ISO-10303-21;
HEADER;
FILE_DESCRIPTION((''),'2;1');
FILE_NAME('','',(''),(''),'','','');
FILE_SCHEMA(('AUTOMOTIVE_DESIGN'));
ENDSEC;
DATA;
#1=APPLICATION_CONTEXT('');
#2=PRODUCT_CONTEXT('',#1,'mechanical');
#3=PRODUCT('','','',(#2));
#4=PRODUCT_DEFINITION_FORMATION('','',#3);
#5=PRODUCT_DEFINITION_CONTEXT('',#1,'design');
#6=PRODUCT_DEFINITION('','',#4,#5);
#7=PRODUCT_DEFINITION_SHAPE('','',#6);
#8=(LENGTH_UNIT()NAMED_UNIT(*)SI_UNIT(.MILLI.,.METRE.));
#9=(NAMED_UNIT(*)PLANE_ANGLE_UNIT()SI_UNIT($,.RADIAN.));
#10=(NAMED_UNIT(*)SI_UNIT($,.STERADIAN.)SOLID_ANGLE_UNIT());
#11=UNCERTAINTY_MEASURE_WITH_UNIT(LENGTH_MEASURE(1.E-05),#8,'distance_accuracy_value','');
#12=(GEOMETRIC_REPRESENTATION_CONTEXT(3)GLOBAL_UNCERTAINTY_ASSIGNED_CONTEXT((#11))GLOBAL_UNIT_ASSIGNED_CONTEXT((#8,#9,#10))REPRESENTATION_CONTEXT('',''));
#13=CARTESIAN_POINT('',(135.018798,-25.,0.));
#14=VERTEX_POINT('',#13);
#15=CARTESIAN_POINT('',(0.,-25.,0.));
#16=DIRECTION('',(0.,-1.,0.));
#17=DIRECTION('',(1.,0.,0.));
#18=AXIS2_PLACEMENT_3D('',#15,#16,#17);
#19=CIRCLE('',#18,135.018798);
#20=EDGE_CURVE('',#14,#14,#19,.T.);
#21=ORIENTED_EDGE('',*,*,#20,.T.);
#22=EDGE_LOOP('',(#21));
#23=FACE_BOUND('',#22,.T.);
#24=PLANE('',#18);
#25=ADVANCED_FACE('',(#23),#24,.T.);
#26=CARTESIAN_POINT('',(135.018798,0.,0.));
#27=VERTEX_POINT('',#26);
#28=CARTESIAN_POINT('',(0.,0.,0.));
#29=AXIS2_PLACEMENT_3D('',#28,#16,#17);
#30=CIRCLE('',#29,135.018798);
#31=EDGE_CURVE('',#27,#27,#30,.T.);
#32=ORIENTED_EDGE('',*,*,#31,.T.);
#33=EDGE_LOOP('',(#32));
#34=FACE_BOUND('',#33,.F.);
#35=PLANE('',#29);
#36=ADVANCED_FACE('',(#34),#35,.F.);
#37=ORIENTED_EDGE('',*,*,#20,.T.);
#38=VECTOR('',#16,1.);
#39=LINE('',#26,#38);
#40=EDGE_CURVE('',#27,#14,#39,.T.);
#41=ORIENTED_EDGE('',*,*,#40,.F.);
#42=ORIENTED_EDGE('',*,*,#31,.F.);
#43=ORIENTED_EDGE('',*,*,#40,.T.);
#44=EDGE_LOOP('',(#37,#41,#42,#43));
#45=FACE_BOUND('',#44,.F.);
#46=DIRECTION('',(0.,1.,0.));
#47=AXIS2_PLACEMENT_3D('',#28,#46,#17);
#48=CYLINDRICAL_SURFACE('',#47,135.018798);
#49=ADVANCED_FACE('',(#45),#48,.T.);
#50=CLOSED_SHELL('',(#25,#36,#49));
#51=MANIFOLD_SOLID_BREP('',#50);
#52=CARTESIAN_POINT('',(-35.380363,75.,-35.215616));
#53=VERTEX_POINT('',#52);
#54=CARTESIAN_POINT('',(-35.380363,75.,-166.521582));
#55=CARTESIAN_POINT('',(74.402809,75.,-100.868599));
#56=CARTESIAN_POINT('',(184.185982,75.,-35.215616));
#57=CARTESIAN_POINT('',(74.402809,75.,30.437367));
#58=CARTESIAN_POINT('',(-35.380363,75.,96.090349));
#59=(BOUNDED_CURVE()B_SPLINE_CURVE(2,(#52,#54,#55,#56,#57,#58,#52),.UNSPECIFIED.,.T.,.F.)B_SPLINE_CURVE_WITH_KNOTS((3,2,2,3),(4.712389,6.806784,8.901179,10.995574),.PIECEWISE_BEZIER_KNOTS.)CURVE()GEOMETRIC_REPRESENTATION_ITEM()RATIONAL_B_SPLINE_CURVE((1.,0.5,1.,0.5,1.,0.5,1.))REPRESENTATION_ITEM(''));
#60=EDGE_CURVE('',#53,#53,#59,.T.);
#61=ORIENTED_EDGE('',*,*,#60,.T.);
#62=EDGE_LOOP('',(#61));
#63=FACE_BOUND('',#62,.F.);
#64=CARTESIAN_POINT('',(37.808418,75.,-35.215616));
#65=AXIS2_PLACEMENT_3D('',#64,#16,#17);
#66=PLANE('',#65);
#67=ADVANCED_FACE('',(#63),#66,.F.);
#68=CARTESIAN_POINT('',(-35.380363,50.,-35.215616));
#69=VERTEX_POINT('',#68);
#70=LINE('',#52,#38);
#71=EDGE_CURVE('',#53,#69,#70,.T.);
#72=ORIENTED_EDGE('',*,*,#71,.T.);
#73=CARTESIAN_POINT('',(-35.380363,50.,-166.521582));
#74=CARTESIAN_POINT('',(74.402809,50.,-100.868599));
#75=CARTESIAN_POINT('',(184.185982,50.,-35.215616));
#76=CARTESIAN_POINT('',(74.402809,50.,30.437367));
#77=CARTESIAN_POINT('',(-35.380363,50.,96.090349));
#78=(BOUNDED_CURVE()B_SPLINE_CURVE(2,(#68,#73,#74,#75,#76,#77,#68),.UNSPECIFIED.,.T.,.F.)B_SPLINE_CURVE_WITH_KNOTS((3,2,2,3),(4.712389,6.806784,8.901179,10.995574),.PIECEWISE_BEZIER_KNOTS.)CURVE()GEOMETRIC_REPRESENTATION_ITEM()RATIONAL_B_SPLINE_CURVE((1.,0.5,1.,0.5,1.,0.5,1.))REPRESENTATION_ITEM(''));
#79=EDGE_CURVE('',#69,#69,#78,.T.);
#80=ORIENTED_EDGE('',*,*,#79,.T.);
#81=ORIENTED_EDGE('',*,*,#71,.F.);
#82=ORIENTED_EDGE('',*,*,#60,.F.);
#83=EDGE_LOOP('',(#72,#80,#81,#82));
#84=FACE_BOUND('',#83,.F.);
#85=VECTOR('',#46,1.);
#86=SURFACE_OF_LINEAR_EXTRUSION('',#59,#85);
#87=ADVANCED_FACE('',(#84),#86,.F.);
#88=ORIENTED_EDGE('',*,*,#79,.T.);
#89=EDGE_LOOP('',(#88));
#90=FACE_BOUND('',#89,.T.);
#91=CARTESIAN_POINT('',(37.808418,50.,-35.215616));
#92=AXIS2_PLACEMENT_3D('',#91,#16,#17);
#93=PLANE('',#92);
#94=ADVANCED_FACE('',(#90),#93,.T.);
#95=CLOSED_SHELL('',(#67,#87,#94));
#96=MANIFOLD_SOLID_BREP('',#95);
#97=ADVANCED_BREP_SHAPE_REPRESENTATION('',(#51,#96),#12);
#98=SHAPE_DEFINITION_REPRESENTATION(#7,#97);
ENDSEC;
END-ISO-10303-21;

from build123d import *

# Parameters (mm, degrees)
F2_R     = 135.018798
F4_DEPTH = 25


with BuildPart() as f4:
    # F2 (on Front) + F3 (on offset) → F4 (new body)
    with BuildSketch(Plane.XZ):
        Circle(F2_R)
    with BuildSketch(Plane.XZ.offset(-75)):
        with BuildLine():
            add(Edge.make_bspline(
                [(-35.380363, -35.215616), (-35.380363, -166.521582), (74.402809, -100.868599), (184.185982, -35.215616), (74.402809, 30.437367), (-35.380363, 96.090349), (-35.380363, -35.215616)],
                knots=[4.712389, 4.712389, 4.712389, 6.806784, 6.806784, 8.901179, 8.901179, 10.995574, 10.995574, 10.995574], degree=2, weights=[1, 0.5, 1, 0.5, 1, 0.5, 1]))
        make_face()
    extrude(amount=F4_DEPTH)


solid = f4.part
